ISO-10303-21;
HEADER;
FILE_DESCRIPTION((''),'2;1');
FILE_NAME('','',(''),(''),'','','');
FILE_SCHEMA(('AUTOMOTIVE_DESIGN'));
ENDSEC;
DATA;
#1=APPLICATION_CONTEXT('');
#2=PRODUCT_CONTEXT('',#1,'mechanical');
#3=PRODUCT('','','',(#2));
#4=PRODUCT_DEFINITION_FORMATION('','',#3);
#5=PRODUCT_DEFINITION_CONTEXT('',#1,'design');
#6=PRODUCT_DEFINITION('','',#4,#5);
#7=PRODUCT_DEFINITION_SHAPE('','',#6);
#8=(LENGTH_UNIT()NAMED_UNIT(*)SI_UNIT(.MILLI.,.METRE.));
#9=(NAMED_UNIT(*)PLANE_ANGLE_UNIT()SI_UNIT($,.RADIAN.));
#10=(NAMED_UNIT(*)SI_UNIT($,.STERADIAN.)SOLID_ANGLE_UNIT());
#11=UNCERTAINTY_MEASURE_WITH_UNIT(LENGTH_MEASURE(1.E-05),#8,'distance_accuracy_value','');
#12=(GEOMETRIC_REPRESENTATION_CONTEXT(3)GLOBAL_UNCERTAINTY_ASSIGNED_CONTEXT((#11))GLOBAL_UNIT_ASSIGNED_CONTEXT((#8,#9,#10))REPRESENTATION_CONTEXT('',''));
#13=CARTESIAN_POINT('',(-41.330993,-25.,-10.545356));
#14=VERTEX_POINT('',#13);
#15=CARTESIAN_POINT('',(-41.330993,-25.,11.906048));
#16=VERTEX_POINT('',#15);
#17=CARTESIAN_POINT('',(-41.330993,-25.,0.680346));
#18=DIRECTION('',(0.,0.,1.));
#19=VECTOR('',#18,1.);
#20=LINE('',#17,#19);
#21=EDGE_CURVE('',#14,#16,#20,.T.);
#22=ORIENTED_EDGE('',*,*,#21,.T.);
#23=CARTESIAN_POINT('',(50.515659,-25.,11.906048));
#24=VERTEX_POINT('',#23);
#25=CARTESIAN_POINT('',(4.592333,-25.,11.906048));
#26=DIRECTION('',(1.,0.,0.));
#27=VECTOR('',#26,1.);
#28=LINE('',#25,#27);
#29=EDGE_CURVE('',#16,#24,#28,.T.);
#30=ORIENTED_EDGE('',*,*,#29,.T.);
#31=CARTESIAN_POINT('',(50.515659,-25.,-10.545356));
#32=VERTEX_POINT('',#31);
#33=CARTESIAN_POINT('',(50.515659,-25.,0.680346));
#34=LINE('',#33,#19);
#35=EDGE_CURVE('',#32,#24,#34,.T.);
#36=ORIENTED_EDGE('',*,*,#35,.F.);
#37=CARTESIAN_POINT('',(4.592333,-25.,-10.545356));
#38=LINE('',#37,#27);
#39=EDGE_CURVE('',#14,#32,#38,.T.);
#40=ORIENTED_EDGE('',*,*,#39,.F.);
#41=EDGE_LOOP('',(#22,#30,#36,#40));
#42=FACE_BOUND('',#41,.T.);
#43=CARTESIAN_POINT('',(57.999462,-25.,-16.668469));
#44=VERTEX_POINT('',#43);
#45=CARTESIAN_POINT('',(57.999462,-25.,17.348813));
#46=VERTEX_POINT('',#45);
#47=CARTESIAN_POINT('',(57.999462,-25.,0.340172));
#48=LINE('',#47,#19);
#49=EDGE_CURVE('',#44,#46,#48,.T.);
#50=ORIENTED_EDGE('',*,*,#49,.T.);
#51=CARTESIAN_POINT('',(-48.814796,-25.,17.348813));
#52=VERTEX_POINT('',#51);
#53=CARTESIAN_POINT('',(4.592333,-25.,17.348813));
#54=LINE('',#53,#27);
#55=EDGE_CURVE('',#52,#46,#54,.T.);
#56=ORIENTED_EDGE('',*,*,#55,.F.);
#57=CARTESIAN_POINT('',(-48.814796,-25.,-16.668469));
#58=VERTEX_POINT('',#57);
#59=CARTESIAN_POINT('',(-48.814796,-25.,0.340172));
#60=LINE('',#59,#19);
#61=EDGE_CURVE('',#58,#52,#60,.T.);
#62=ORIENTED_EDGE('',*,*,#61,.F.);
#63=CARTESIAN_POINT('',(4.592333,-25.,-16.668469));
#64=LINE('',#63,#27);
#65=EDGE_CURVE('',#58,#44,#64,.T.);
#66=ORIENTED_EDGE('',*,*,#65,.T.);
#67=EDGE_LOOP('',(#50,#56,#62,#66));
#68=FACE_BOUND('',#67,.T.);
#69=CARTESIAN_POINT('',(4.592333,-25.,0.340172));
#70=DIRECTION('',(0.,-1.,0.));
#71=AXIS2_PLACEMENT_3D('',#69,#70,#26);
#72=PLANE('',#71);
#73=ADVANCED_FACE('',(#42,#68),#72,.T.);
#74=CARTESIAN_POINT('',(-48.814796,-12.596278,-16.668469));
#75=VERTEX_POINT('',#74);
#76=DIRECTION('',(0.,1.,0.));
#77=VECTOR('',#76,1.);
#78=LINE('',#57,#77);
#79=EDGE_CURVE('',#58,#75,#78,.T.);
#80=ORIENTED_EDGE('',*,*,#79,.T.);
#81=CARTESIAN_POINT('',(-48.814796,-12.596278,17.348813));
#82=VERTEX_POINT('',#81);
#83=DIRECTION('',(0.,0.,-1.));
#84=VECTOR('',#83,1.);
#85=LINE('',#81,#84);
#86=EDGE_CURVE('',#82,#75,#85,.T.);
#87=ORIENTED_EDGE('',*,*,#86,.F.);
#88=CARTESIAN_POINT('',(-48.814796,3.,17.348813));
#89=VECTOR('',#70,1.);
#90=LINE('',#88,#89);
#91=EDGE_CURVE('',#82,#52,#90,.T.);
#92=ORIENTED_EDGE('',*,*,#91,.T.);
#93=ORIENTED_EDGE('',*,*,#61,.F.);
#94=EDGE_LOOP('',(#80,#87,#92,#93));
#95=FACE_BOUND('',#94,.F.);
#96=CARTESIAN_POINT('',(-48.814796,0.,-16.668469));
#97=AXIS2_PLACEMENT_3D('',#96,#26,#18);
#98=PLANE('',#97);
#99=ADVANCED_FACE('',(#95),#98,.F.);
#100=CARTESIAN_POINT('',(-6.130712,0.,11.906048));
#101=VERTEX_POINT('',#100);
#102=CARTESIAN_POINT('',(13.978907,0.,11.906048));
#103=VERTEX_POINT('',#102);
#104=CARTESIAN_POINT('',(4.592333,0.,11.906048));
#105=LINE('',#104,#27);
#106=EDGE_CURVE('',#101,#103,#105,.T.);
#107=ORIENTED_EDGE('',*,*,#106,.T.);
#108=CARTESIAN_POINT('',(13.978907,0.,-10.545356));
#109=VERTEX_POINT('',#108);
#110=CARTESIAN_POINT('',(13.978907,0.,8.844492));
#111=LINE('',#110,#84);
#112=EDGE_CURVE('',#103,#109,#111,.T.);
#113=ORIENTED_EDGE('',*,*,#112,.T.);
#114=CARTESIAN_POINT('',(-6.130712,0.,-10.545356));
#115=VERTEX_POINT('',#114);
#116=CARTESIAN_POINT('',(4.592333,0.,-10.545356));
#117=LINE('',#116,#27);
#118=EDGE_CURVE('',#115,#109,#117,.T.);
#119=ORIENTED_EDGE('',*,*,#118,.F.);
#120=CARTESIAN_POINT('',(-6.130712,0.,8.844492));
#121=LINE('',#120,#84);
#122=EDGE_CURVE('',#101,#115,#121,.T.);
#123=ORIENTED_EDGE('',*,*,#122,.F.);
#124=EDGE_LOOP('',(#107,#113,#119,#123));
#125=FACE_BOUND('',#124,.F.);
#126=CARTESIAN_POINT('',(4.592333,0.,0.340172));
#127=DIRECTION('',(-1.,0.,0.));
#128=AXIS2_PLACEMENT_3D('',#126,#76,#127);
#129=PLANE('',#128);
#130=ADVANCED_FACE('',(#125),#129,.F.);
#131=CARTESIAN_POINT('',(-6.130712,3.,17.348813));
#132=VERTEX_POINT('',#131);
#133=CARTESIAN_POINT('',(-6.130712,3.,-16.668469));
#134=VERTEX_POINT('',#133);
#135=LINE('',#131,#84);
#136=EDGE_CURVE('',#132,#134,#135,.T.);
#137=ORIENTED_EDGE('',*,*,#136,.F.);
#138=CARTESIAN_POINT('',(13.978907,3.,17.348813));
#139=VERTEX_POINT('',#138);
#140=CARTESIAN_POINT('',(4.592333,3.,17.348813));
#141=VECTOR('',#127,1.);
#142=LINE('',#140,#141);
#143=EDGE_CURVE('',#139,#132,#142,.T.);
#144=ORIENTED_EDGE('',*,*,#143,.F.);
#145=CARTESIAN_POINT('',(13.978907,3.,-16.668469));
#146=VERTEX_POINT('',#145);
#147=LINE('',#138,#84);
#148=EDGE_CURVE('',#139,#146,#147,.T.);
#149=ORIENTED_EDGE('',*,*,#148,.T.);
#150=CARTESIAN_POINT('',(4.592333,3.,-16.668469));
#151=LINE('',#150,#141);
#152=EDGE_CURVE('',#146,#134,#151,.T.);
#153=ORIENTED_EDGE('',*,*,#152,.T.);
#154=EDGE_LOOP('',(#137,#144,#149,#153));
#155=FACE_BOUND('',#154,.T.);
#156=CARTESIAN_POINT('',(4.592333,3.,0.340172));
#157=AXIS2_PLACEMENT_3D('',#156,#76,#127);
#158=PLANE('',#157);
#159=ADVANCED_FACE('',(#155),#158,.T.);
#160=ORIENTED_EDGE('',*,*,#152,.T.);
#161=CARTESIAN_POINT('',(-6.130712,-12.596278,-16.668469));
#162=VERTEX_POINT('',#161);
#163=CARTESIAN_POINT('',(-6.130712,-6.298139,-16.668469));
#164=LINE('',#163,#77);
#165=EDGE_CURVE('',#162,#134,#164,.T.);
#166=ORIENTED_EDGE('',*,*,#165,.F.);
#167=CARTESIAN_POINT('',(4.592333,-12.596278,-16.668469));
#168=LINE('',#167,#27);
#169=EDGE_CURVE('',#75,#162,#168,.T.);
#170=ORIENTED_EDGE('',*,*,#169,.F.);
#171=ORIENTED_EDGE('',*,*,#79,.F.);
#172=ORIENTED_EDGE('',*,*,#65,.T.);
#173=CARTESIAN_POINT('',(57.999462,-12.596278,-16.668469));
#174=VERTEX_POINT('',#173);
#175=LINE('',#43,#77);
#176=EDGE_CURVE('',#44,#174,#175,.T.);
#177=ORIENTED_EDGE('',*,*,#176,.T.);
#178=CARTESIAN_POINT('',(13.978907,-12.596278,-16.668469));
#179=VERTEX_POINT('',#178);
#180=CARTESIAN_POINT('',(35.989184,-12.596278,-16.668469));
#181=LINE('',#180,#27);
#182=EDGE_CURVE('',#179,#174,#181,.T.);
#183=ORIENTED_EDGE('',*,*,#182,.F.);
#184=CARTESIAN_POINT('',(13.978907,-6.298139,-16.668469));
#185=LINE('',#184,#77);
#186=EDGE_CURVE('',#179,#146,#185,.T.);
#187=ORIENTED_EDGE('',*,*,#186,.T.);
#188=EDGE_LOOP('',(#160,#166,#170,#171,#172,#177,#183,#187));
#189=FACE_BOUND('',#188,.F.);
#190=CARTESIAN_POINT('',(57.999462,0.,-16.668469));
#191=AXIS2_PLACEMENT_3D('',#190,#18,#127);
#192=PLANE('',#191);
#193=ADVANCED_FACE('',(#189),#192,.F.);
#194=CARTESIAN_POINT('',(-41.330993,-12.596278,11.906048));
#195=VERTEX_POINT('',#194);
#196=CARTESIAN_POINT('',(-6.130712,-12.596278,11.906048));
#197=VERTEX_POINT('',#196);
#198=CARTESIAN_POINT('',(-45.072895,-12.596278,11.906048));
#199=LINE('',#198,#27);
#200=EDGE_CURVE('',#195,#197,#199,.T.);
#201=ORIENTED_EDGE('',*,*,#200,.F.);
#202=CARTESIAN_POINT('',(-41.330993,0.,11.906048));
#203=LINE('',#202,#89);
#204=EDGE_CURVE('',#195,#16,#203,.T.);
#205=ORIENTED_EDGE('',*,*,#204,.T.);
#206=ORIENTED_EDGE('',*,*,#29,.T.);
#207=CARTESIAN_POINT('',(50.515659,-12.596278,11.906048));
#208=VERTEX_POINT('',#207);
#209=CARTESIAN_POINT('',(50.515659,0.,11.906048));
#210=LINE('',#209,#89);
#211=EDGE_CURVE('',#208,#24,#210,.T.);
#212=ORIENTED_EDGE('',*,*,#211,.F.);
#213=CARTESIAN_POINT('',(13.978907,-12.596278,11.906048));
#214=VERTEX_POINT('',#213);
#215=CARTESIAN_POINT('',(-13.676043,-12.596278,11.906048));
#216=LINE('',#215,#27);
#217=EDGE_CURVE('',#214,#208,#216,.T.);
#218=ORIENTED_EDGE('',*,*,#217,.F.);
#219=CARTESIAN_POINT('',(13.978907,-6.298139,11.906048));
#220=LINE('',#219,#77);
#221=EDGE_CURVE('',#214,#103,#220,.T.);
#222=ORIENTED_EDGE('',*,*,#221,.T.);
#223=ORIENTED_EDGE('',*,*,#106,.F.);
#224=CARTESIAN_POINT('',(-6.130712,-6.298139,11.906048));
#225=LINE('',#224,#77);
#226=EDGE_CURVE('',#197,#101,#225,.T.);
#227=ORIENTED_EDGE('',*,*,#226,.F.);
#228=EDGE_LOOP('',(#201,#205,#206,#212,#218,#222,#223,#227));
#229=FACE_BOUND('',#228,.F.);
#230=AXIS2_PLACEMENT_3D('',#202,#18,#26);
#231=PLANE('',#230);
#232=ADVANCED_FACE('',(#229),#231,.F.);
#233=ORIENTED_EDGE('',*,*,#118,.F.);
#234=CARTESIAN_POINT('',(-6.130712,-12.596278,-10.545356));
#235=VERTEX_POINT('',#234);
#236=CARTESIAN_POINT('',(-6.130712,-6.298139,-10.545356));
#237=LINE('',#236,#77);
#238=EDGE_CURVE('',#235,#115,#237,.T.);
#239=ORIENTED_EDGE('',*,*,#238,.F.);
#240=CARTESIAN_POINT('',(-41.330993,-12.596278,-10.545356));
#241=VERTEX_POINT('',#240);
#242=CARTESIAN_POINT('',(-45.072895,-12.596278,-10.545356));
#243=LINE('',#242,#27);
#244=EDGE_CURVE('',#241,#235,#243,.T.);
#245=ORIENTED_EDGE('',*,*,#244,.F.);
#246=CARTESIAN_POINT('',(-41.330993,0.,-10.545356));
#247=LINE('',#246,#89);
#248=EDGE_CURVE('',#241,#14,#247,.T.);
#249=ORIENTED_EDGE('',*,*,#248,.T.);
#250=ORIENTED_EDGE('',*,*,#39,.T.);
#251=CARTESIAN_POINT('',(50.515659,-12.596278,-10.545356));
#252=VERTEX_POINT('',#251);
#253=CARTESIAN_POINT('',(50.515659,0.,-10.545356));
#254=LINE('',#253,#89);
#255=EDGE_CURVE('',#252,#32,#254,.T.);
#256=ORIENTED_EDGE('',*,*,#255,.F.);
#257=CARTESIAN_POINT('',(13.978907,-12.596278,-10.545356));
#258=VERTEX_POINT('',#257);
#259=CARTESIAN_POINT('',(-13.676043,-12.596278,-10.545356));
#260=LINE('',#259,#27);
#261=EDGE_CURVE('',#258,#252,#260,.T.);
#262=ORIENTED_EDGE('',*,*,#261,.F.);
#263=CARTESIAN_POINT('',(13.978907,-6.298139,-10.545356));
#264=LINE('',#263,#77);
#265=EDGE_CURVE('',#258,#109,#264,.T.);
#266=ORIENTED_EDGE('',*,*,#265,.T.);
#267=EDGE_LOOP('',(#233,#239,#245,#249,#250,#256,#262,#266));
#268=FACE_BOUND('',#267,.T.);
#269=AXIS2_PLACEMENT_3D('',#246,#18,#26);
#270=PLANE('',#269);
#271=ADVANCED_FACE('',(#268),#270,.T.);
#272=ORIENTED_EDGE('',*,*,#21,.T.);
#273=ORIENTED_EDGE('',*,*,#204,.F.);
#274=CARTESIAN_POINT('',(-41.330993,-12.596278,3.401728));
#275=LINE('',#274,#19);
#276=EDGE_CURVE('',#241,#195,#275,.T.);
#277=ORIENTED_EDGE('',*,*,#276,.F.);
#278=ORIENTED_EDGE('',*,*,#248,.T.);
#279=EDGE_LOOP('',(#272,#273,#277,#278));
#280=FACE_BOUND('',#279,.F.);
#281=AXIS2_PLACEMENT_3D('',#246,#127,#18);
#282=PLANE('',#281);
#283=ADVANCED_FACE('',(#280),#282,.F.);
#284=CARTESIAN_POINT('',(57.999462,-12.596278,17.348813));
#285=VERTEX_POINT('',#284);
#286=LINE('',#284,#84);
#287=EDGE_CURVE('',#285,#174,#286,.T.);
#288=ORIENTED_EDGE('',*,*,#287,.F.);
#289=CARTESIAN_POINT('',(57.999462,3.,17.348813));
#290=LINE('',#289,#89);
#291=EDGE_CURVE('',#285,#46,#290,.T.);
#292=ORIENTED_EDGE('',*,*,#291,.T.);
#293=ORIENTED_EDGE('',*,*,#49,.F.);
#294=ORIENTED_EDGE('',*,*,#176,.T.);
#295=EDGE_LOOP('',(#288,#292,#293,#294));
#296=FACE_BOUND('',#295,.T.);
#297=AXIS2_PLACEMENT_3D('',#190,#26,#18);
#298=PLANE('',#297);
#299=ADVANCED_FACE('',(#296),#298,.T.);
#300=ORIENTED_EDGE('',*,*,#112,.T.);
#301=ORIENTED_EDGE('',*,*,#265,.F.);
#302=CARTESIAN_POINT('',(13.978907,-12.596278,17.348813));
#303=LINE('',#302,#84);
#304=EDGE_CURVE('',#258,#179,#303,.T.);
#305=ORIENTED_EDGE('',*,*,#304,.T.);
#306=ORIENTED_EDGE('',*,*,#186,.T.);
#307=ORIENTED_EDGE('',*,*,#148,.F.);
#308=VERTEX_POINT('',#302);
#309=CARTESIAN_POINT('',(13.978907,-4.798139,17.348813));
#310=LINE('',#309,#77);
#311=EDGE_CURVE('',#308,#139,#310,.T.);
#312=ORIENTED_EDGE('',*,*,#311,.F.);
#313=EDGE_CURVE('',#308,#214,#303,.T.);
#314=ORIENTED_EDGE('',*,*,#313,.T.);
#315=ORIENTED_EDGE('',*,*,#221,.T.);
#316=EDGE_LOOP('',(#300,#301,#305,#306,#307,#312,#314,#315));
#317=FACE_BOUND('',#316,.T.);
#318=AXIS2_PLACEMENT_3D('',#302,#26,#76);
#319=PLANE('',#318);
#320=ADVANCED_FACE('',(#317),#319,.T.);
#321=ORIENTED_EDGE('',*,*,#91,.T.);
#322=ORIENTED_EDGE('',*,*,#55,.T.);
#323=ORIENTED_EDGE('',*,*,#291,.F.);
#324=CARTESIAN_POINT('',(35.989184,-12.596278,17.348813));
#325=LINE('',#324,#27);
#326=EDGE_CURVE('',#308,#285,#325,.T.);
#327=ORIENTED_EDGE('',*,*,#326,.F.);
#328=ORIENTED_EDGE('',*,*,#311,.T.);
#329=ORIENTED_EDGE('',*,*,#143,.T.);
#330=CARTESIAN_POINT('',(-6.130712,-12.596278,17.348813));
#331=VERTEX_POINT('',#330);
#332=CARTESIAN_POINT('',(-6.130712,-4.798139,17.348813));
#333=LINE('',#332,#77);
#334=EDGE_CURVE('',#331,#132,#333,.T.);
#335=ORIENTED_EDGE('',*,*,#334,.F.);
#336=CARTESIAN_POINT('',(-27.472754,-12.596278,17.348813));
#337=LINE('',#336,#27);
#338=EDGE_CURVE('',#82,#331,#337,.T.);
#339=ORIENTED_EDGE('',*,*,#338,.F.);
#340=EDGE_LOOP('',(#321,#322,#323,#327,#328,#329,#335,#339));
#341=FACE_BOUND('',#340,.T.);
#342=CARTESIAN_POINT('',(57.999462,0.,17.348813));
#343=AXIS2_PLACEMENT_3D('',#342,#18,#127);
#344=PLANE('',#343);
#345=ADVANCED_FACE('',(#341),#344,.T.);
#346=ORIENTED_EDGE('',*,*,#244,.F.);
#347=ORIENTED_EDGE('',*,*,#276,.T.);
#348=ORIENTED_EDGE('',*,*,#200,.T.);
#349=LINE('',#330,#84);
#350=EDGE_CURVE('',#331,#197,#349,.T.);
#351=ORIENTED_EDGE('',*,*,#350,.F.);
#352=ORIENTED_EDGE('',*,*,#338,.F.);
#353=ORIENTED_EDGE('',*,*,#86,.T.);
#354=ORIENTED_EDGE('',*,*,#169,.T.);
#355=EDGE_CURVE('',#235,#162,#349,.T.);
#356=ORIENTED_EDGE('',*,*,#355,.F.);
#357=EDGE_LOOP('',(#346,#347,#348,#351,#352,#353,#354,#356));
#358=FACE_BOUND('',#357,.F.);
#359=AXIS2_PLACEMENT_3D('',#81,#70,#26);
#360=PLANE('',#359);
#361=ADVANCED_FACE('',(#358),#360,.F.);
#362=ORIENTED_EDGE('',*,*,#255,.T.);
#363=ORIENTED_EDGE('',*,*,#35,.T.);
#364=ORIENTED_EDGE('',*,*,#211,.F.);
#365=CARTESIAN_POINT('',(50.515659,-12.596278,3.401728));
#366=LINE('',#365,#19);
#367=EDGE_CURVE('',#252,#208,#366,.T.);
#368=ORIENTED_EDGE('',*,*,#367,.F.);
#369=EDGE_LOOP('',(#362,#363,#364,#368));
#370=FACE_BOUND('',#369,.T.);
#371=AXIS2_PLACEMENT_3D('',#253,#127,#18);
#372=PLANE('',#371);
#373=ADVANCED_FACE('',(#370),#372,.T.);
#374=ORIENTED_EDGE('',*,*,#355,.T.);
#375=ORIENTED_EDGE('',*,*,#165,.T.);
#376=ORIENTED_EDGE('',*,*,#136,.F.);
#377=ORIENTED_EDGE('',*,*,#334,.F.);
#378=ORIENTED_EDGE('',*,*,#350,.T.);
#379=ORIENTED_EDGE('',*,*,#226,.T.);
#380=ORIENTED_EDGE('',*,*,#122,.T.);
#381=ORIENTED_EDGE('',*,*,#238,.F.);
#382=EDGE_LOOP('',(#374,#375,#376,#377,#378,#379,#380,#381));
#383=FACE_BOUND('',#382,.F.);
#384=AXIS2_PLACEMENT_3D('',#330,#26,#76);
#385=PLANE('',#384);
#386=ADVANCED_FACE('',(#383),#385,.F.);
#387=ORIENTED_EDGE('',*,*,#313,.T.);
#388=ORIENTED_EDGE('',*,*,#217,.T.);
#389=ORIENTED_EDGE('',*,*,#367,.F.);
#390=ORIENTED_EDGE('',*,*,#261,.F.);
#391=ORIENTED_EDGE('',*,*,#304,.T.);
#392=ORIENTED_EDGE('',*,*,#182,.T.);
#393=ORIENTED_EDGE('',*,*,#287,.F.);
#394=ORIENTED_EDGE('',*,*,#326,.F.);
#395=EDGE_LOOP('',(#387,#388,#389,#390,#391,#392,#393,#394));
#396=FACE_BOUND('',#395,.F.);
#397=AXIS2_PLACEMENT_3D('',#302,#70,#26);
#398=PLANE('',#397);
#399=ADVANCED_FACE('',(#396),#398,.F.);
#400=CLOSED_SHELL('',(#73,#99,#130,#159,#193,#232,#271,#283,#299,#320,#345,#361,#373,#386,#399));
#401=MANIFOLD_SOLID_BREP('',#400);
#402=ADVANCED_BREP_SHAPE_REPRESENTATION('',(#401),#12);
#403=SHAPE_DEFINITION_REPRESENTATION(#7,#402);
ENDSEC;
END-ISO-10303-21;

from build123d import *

# Parameters (mm, degrees)
F0_W     = 106.8142578006
F0_H     = 34.0172816068
F0_W_2   = 91.846652329
F0_H_2   = 22.4514044821
F1_DEPTH = 25
F2_W     = 106.8142578006
F2_H     = 34.0172816068
F3_DEPTH = 3
F4_W     = 42.6840842701
F4_H     = 15.5962775201
F4_W_2   = 44.0205549821
F5_DEPTH = 42.7


with BuildPart() as f1:
    # F0 (on Front) → F1 (new body)
    with BuildSketch(Plane.XZ):
        with Locations((4.592332989, 0.3401720896)):
            Rectangle(F0_W, F0_H)
        with Locations((4.592332989, 0.6803460419)):
            Rectangle(F0_W_2, F0_H_2, mode=Mode.SUBTRACT)
    extrude(amount=F1_DEPTH)

    # F2 (on face) → F3 (join)
    with BuildSketch(Plane(origin=(0, 0, 0), x_dir=(-1, 0, 0), z_dir=(0, 1, 0))):
        with Locations((-4.592332989, 0.3401720896)):
            Rectangle(F2_W, F2_H)
    extrude(amount=F3_DEPTH)

    # F4 (on face) → F5 (cut)
    with BuildSketch(Plane.XY.offset(17.348812893)):
        with Locations((-27.4727537762, -4.79813876)):
            Rectangle(F4_W, F4_H)
        with Locations((35.9891843982, -4.79813876)):
            Rectangle(F4_W_2, F4_H)
    extrude(amount=-F5_DEPTH, mode=Mode.SUBTRACT)


solid = f1.part
